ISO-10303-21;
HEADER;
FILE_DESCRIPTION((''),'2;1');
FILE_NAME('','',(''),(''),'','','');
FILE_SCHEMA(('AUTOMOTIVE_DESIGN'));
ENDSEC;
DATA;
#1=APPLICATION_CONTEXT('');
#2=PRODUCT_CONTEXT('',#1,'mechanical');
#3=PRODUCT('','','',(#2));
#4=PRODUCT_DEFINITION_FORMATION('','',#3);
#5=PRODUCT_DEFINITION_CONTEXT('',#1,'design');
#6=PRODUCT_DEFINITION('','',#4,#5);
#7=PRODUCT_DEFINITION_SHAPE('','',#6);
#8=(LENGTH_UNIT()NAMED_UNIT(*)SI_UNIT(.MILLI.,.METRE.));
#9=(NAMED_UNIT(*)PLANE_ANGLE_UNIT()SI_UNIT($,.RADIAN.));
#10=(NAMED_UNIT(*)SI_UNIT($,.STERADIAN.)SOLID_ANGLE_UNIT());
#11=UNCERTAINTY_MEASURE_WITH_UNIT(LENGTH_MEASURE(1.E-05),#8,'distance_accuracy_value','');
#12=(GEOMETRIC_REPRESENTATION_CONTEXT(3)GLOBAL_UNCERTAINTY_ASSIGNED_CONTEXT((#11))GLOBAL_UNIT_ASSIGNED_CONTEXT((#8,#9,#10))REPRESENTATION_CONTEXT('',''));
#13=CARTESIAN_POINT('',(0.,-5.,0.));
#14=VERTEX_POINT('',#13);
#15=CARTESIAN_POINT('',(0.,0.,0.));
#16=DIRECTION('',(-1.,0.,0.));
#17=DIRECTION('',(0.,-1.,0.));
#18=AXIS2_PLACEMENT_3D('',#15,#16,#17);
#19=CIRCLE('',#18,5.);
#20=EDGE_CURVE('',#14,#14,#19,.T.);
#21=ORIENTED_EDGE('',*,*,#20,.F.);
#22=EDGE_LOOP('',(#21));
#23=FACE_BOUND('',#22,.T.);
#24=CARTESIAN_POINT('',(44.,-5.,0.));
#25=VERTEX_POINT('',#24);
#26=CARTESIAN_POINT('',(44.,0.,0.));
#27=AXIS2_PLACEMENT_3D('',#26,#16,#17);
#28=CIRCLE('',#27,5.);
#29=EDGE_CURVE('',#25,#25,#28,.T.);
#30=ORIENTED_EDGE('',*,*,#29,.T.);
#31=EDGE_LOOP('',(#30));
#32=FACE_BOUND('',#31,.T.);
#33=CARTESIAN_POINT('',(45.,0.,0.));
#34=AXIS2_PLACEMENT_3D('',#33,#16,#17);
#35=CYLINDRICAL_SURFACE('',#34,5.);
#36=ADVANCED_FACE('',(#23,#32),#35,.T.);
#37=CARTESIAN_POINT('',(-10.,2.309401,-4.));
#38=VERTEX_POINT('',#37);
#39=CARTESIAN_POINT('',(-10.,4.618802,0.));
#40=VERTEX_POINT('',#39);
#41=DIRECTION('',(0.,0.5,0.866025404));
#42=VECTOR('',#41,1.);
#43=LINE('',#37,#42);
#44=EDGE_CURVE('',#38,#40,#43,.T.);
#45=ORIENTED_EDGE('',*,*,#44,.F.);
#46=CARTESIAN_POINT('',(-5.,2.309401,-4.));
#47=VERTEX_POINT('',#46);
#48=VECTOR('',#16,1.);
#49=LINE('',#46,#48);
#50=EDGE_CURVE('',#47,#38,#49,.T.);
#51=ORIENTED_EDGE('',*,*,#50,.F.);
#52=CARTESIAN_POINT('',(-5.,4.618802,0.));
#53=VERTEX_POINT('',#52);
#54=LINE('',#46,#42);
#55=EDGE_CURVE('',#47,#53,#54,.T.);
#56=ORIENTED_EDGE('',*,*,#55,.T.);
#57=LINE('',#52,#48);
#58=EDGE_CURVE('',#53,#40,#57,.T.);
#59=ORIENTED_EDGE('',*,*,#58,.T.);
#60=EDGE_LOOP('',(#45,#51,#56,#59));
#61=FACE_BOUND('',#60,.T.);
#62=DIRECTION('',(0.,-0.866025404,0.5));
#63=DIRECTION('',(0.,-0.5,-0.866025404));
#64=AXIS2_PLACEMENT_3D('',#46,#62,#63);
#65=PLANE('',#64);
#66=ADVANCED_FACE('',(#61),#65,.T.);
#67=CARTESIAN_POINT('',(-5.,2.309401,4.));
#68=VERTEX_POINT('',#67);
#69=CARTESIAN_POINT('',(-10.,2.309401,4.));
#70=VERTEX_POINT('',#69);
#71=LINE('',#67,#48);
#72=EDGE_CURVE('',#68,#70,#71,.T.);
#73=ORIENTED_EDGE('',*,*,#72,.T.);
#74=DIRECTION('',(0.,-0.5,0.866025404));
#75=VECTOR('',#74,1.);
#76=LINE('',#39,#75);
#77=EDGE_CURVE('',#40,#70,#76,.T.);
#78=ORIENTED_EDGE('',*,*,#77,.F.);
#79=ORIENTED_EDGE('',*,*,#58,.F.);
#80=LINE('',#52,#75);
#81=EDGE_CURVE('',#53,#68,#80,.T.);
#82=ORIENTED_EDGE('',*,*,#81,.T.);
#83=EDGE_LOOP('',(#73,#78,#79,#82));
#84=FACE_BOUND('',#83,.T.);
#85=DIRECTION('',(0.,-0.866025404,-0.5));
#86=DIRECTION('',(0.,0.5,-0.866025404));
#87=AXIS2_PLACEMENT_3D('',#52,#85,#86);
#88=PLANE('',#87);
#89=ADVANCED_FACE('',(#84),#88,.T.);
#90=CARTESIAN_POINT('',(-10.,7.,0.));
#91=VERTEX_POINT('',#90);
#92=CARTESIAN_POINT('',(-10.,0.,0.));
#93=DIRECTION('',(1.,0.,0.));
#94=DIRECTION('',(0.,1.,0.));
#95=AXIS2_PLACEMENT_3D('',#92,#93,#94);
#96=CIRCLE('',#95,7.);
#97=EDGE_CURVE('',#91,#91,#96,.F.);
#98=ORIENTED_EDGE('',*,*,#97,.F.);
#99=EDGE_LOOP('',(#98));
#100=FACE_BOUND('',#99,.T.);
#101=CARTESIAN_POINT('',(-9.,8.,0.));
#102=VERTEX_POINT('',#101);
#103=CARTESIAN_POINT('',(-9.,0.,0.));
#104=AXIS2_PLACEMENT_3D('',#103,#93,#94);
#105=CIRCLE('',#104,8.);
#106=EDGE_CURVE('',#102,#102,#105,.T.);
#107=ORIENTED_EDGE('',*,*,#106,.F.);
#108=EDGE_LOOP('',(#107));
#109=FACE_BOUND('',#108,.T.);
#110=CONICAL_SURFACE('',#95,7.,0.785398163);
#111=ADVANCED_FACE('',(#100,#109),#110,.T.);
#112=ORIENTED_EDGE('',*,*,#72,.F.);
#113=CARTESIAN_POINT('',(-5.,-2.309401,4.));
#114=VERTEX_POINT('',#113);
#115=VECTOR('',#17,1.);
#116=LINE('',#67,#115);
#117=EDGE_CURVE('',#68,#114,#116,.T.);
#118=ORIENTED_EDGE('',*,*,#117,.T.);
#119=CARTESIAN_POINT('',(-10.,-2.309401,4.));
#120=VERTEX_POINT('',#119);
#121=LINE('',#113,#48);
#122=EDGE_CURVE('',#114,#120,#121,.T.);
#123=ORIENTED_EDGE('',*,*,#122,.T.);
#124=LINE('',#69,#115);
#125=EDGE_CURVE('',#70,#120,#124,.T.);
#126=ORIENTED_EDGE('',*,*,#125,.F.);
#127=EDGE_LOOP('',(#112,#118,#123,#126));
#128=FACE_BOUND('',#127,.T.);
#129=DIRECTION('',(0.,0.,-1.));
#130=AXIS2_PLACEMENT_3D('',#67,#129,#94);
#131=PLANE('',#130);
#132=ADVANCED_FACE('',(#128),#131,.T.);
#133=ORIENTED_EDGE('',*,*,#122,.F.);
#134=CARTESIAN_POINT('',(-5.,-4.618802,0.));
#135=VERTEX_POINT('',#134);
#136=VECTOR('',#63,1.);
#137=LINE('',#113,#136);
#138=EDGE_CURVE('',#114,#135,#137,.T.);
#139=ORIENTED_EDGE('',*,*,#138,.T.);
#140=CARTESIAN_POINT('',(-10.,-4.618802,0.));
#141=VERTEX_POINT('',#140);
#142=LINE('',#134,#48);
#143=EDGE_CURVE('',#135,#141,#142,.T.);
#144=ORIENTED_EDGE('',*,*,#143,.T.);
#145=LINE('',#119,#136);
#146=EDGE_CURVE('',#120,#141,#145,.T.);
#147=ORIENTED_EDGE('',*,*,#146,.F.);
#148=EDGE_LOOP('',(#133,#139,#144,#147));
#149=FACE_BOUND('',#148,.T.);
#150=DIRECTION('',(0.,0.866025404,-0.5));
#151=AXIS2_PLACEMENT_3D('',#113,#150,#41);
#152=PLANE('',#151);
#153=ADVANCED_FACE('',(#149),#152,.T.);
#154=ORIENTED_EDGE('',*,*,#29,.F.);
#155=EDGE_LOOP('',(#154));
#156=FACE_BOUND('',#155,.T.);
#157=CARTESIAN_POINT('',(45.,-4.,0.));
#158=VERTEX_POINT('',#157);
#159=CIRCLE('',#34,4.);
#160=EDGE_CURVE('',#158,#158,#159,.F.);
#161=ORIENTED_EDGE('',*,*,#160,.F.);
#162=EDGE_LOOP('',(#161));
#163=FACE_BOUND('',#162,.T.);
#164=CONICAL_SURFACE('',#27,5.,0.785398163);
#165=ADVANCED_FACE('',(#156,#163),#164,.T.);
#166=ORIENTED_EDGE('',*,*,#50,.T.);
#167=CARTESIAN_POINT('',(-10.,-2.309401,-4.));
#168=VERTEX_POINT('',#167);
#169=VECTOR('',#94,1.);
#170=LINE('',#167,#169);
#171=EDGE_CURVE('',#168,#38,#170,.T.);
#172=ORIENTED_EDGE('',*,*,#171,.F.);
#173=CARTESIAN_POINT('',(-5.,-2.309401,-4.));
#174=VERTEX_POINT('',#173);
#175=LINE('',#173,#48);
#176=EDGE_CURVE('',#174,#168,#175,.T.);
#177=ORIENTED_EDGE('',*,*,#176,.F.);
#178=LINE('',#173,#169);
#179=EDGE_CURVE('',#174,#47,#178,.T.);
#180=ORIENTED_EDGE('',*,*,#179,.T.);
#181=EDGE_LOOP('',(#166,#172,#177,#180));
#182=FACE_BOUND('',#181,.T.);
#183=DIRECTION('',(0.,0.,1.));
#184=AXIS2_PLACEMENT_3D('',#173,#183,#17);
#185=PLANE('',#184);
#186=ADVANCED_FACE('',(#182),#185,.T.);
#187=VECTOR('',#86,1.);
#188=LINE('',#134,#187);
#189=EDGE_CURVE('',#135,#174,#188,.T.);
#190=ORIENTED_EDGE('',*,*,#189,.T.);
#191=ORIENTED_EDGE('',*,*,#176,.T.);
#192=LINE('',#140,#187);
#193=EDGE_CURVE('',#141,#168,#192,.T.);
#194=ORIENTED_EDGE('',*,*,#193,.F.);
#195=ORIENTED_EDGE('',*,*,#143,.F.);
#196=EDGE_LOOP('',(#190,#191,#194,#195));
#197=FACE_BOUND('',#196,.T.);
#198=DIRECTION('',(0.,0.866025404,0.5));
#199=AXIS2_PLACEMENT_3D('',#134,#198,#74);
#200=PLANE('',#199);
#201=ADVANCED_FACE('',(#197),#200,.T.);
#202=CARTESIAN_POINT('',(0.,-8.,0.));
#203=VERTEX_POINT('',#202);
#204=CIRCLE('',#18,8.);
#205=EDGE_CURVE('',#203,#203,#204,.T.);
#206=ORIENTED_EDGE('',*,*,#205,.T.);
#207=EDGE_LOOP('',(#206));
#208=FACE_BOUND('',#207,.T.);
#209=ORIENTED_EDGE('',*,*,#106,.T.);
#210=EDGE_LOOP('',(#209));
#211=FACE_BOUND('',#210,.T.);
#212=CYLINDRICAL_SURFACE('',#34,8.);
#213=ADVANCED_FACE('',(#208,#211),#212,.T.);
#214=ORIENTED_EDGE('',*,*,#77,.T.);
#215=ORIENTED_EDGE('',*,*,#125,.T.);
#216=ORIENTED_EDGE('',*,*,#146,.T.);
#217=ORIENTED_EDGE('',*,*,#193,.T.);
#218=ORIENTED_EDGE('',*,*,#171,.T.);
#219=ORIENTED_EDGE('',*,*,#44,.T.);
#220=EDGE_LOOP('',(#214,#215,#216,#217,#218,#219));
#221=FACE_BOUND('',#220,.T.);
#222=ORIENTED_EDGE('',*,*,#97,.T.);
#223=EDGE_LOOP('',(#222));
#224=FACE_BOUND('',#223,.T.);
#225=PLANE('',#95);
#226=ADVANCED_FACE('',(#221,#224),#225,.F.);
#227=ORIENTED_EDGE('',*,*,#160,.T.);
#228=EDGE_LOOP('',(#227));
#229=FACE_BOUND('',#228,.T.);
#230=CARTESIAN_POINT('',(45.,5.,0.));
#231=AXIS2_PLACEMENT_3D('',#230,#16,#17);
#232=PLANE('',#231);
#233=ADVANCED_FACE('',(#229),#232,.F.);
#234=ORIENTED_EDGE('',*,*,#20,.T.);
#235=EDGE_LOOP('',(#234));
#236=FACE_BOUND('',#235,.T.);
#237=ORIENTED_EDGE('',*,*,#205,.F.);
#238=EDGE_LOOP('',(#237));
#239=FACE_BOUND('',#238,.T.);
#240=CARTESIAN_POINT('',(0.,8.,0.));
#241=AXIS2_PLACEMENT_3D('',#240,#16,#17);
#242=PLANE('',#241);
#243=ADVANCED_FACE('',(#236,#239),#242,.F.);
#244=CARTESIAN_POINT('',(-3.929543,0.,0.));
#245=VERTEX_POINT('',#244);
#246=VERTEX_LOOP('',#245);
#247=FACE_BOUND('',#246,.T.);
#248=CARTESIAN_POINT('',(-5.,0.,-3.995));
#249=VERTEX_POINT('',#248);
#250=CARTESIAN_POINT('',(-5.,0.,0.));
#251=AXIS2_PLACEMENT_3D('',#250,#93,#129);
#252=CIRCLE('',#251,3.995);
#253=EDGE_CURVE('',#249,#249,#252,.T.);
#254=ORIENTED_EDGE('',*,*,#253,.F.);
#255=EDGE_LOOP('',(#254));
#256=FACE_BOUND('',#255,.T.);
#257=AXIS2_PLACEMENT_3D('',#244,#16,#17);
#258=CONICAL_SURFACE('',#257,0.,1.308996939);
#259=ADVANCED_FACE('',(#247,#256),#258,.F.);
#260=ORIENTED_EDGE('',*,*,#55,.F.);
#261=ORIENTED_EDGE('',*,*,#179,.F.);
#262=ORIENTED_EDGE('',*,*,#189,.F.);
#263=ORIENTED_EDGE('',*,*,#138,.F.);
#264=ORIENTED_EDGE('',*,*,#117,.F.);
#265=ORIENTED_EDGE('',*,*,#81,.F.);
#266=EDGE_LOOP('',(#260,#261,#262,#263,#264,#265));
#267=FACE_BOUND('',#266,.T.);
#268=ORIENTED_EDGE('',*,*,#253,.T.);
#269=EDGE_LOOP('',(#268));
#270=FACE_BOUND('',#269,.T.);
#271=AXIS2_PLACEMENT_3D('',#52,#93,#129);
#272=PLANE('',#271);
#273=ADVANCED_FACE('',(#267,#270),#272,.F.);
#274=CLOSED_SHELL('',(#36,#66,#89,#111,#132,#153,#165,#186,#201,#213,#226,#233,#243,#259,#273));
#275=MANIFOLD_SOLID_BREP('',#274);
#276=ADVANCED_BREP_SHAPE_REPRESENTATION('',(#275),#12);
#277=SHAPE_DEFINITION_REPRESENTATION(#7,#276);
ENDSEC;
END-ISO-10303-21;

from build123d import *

# Parameters (mm, degrees)
CUT_EXTRUDE1_DEPTH = 5
CHAMFER1_SIZE      = 1


with BuildPart() as part:
    # Sketch1 → Revolve1 (revolve)
    with BuildSketch(Plane.XY, mode=Mode.PRIVATE) as revolve1_sk:
        Polygon((-10, 0), (-10, 8), (0, 8), (0, 5), (45, 5), (45, 0), align=None)
    revolve(revolve1_sk.sketch.rotate(Axis((45, 0, 0), (-1, 0, 0)), 180), axis=Axis((45, 0, 0), (-1, 0, 0)))

    # Sketch2 → Cut-Revolve1 (revolve, cut)
    with BuildSketch(Plane.XY, mode=Mode.PRIVATE) as cut_revolve1_sk:
        Polygon((-10, 0), (-10, 3.995), (-5, 3.995), (-3.929542976, 0), align=None)
    revolve(cut_revolve1_sk.sketch.rotate(Axis((-3.929542976, 0, 0), (-1, 0, 0)), 180), axis=Axis((-3.929542976, 0, 0), (-1, 0, 0)), mode=Mode.SUBTRACT)

    # Sketch3 → Cut-Extrude1 (cut)
    with BuildSketch(Plane(origin=(-10, 0, 0), x_dir=(0, 0, -1), z_dir=(1, 0, 0))):
        Polygon((0, 4.618802154), (-4, 2.309401077), (-4, -2.309401077), (0, -4.618802154), (4, -2.309401077), (4, 2.309401077), align=None)
    extrude(amount=CUT_EXTRUDE1_DEPTH, mode=Mode.SUBTRACT)

    # Chamfer1
    chamfer1_edges = [part.edges().sort_by_distance(p)[0] for p in [
        (45, 5, 0),
        (-10, 8, 0),
    ]]
    chamfer(chamfer1_edges, length=CHAMFER1_SIZE)


solid = part.part
